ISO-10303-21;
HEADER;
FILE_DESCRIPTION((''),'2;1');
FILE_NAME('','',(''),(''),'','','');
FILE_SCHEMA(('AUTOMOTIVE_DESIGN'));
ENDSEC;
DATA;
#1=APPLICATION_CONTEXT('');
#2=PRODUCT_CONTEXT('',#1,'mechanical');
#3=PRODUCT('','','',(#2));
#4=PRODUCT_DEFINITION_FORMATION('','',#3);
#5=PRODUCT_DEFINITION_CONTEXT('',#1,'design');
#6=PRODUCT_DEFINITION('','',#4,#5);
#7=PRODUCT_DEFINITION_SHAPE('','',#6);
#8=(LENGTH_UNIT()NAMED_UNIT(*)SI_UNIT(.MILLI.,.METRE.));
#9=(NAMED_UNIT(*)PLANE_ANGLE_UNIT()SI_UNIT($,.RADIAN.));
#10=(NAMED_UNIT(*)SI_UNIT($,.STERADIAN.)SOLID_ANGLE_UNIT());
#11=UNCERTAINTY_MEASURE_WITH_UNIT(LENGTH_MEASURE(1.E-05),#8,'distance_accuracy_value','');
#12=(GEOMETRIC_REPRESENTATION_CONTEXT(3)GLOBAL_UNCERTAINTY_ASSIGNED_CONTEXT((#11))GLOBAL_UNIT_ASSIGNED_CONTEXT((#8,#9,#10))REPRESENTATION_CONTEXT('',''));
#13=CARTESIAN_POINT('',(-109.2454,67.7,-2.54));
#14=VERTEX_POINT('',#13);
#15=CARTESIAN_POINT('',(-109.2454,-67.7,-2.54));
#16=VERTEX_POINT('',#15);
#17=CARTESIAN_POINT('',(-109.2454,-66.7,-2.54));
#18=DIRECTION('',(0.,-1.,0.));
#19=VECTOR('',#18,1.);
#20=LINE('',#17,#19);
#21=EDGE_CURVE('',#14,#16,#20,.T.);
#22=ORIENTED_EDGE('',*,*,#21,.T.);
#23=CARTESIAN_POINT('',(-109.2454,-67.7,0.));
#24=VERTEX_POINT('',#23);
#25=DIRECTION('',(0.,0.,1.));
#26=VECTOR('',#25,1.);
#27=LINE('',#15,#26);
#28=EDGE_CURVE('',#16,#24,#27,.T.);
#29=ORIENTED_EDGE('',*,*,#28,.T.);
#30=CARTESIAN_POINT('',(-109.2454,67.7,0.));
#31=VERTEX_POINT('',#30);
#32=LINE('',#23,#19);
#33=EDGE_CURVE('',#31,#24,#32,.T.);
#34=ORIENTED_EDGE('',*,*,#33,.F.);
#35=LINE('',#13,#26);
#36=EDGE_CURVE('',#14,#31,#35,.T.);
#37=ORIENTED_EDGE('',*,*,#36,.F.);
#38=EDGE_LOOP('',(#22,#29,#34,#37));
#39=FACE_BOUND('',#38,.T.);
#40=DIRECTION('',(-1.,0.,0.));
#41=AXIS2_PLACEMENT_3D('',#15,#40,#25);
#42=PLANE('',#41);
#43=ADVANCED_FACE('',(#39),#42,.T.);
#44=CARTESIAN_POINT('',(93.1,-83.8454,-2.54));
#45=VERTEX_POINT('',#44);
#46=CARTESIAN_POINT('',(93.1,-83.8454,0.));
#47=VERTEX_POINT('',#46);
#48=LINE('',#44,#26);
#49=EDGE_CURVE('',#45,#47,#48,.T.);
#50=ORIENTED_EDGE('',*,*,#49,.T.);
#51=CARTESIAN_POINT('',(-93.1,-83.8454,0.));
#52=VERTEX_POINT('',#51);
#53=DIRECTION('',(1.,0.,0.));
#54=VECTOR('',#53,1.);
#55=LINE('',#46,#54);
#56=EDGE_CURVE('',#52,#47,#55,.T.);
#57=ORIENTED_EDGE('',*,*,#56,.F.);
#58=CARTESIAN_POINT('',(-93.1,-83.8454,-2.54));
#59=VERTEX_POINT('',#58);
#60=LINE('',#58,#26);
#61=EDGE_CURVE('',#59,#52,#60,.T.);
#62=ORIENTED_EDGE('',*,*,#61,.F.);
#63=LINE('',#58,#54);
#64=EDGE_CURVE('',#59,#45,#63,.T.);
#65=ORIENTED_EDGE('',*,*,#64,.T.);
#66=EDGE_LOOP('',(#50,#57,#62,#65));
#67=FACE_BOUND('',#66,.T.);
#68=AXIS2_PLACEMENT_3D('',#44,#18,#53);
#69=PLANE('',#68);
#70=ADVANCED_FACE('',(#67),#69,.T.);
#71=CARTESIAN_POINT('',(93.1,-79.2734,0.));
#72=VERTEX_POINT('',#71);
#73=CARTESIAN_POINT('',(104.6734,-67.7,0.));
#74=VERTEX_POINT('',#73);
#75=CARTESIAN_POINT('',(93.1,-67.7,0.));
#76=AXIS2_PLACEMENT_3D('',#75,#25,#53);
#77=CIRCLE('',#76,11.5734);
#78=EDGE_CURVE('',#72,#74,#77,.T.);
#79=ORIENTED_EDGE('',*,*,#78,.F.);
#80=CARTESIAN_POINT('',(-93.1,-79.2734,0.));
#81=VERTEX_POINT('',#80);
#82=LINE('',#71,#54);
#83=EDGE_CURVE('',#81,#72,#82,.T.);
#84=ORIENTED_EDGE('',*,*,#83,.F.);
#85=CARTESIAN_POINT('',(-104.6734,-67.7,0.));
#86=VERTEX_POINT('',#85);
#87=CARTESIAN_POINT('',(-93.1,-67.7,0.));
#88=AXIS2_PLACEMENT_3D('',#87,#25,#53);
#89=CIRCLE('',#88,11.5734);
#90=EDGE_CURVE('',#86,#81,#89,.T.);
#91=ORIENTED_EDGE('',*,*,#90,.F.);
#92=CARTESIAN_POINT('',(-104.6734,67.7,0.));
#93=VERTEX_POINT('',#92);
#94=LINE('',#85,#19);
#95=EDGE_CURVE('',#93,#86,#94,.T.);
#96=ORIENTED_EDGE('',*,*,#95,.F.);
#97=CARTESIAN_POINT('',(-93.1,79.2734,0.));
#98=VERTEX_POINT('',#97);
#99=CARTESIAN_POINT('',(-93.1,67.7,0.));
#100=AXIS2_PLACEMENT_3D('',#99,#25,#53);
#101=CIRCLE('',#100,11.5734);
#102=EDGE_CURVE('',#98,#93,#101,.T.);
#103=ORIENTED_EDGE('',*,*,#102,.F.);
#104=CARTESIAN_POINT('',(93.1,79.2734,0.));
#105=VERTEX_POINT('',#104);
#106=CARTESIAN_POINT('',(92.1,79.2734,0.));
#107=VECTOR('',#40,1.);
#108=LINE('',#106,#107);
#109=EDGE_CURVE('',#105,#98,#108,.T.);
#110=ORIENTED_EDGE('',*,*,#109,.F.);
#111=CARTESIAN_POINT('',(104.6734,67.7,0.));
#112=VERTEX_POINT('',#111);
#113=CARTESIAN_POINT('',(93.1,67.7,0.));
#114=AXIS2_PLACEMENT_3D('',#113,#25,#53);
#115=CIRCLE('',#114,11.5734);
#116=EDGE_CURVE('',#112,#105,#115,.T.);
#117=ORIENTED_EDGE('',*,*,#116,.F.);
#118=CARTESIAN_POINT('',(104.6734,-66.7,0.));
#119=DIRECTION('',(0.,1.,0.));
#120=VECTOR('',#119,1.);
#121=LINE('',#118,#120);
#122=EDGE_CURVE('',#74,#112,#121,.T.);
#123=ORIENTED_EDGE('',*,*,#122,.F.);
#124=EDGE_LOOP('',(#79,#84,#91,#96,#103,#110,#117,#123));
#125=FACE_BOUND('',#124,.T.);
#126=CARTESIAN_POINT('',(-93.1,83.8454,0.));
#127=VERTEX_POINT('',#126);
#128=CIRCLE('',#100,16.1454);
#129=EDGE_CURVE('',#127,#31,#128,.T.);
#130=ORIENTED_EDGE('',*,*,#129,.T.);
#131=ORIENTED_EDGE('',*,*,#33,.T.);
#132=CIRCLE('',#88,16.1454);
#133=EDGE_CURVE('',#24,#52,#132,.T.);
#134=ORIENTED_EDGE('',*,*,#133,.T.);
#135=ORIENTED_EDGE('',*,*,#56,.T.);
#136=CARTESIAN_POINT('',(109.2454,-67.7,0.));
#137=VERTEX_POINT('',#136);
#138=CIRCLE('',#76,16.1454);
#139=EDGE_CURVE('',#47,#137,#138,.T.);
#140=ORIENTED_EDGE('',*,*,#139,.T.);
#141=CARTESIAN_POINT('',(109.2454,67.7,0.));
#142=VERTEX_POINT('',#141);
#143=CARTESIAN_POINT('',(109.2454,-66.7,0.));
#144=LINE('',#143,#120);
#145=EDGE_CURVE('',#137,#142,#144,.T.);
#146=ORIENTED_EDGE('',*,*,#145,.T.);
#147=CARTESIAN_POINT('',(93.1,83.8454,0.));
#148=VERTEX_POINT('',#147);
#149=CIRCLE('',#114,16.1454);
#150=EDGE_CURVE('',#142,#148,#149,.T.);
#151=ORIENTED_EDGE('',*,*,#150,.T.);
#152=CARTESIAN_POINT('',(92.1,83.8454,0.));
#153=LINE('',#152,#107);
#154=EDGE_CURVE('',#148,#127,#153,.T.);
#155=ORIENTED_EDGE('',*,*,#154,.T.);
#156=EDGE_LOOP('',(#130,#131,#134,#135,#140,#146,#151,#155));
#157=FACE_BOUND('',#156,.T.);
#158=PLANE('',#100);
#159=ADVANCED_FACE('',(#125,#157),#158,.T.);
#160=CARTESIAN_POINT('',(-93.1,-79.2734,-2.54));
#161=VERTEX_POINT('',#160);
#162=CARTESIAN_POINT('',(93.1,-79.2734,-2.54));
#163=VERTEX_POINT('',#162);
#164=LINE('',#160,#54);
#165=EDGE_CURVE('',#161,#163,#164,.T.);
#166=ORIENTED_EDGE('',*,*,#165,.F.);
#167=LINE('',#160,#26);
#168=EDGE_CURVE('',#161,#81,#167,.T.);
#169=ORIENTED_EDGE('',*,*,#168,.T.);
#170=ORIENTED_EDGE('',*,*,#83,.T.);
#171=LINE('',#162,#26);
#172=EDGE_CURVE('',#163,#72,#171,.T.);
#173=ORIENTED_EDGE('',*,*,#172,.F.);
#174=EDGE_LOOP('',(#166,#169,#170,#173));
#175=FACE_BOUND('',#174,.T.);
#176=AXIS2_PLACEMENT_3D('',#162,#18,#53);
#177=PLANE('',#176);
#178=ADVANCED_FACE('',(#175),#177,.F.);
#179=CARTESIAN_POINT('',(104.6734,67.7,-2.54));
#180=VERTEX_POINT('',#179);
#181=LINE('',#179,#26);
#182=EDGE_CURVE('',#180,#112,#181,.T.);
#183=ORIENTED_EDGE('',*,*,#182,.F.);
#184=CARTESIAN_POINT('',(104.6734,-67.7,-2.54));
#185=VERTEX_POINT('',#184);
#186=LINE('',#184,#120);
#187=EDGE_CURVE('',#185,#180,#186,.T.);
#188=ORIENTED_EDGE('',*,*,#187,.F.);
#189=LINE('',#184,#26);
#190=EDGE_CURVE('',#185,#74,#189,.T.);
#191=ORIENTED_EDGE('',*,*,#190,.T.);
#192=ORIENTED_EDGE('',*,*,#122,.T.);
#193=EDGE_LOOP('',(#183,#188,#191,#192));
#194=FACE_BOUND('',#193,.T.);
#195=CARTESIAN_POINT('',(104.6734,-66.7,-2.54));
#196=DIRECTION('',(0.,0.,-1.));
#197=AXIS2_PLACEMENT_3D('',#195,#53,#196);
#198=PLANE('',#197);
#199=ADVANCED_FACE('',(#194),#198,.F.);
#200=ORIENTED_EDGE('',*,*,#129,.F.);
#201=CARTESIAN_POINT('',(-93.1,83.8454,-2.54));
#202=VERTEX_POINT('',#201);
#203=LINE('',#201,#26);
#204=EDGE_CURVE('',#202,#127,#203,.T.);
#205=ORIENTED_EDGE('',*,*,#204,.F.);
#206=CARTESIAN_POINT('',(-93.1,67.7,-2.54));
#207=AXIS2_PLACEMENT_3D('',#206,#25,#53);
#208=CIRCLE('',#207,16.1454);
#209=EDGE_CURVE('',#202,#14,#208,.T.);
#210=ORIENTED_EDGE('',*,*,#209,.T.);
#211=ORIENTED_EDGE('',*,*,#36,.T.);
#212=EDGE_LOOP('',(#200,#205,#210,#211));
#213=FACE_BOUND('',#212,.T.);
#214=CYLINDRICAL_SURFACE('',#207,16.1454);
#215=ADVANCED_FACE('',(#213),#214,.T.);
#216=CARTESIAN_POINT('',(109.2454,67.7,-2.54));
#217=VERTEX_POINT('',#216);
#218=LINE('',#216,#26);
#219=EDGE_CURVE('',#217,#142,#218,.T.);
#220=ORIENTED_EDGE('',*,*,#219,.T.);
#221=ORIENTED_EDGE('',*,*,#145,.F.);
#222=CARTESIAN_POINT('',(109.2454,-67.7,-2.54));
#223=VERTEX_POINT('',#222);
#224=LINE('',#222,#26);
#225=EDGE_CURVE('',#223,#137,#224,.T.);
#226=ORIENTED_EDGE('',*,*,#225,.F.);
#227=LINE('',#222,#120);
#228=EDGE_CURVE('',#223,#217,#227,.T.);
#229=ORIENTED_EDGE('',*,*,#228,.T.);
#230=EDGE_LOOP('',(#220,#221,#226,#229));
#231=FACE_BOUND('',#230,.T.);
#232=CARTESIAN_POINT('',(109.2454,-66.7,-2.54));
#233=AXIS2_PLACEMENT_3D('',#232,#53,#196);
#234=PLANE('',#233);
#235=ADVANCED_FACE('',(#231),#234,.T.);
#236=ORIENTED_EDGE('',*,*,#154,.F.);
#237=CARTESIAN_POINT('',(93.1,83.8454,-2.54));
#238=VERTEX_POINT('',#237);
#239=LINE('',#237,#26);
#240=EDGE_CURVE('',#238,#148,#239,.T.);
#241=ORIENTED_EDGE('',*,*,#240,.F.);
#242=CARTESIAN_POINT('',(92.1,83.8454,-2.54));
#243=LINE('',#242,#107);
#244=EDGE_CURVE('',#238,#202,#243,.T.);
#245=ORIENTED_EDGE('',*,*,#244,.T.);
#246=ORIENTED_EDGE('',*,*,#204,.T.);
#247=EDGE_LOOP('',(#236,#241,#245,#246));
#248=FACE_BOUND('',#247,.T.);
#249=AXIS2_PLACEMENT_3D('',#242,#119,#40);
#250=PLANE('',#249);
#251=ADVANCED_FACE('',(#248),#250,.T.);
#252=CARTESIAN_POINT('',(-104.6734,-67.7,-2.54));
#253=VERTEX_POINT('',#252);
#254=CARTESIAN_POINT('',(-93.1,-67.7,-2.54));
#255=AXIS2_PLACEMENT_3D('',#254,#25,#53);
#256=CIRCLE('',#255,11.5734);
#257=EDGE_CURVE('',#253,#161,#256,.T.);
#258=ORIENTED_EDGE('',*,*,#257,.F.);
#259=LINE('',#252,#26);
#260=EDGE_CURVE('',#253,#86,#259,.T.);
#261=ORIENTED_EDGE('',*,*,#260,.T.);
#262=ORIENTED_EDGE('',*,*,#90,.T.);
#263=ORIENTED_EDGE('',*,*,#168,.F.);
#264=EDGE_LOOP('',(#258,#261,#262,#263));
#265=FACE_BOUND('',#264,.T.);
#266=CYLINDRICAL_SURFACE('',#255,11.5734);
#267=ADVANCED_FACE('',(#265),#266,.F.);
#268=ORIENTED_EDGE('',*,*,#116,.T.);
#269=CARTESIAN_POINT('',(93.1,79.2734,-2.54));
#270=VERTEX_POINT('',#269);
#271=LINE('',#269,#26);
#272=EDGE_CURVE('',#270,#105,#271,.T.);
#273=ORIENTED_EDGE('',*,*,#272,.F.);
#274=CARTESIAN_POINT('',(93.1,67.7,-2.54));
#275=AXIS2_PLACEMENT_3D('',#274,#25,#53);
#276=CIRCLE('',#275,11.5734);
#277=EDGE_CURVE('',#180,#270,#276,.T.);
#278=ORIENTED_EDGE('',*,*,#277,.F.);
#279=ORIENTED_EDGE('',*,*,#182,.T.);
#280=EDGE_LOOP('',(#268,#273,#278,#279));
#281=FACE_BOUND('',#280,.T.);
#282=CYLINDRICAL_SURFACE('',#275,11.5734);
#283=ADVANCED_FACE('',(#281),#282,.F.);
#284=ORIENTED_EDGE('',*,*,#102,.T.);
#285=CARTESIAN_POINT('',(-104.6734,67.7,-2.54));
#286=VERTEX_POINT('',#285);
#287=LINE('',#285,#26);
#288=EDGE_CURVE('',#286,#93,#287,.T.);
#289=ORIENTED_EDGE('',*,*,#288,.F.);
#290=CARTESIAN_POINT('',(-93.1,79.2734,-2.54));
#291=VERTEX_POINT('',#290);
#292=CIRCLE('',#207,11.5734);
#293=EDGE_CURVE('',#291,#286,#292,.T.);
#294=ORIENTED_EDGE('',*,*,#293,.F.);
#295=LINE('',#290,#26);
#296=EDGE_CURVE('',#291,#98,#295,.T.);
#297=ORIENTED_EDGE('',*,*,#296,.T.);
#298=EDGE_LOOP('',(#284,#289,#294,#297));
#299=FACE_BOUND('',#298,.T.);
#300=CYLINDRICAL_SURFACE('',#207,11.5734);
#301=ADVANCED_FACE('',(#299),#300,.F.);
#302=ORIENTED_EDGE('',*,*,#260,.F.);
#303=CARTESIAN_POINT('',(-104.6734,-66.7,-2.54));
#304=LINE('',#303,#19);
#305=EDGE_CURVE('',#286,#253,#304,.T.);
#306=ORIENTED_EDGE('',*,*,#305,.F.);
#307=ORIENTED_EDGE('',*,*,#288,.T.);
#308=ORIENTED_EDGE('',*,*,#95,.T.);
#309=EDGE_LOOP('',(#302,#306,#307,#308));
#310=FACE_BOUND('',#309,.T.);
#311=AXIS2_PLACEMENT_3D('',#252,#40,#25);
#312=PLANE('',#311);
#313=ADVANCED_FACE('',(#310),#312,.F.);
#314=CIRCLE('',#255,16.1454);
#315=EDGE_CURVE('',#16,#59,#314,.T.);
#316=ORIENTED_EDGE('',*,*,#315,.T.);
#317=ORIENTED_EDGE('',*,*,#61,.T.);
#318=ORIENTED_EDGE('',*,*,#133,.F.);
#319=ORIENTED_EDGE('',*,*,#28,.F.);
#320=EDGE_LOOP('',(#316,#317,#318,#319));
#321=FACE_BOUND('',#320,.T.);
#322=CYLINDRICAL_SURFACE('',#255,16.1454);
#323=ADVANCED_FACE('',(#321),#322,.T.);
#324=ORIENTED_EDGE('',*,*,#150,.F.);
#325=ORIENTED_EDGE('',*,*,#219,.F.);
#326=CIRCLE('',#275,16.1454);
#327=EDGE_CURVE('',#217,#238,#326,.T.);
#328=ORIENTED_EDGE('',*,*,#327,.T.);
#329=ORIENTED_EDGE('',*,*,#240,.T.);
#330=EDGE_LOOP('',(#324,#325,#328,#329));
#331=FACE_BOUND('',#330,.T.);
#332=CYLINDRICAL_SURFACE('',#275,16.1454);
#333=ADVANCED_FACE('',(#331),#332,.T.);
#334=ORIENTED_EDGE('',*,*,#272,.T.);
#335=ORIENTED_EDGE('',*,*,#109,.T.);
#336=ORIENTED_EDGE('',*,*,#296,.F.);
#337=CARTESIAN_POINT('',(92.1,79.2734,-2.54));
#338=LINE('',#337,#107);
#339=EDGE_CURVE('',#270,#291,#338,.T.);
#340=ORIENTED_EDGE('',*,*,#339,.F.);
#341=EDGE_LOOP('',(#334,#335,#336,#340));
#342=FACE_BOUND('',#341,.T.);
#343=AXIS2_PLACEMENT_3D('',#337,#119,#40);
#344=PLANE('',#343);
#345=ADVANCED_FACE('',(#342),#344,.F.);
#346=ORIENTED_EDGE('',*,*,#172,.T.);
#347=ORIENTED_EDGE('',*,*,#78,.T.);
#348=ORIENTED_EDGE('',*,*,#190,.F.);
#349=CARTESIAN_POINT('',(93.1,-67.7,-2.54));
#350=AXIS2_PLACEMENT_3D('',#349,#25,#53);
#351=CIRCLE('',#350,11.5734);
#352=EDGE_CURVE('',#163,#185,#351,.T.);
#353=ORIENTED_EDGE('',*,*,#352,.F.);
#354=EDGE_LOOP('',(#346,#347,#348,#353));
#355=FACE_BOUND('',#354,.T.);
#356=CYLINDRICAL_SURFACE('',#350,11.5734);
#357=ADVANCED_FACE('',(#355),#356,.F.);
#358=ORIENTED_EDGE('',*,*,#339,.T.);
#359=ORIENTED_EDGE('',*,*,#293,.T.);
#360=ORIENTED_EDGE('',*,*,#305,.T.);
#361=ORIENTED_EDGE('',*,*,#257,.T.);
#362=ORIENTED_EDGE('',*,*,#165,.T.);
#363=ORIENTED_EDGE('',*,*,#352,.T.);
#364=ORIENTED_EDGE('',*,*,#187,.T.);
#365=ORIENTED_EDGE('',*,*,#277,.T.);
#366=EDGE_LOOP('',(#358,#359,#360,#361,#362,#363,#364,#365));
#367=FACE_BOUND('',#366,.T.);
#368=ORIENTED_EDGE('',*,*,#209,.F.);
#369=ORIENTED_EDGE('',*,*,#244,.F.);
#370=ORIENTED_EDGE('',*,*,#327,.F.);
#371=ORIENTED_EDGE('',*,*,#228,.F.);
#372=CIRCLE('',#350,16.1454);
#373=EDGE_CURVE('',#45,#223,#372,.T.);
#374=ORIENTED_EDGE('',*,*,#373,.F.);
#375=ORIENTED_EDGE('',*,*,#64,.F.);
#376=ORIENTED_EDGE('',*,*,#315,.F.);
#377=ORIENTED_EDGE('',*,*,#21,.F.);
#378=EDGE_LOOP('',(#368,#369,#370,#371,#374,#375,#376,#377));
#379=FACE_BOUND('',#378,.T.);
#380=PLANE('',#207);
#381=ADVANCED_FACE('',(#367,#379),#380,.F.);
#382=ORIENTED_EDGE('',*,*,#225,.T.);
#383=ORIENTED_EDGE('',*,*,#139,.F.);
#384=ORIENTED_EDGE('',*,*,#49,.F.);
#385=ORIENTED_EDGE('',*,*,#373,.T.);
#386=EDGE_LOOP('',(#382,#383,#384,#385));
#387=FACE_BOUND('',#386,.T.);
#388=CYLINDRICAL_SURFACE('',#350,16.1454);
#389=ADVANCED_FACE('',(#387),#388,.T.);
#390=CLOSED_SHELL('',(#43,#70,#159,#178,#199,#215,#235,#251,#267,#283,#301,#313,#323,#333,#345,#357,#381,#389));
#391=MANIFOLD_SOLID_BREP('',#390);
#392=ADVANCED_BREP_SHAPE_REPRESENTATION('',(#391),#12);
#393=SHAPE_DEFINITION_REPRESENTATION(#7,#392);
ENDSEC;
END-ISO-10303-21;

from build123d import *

# Parameters (mm, degrees)
BOSS_EXTRUDE1_DEPTH = 2.54


with BuildPart() as part:
    # Sketch1 → Boss-Extrude1 (new body)
    with BuildSketch(Plane.XY):
        with BuildLine():
            Line((-109.2454, -66.7), (-109.2454, 67.7))
            ThreePointArc((-109.2454, 67.7), (-104.516521825, 79.116521825), (-93.1, 83.8454))
            Line((-93.1, 83.8454), (92.1, 83.8454))
            Line((92.1, 83.8454), (93.1, 83.8454))
            ThreePointArc((93.1, 83.8454), (104.516521825, 79.116521825), (109.2454, 67.7))
            Line((109.2454, 67.7), (109.2454, -66.7))
            Line((109.2454, -66.7), (109.2454, -67.7))
            ThreePointArc((109.2454, -67.7), (104.516521825, -79.116521825), (93.1, -83.8454))
            Line((93.1, -83.8454), (-92.1, -83.8454))
            Line((-92.1, -83.8454), (-93.1, -83.8454))
            ThreePointArc((-93.1, -83.8454), (-104.516521825, -79.116521825), (-109.2454, -67.7))
            Line((-109.2454, -67.7), (-109.2454, -66.7))
        make_face()
        with BuildLine():
            Line((-104.6734, -66.7), (-104.6734, 67.7))
            ThreePointArc((-104.6734, 67.7), (-101.283629621, 75.883629621), (-93.1, 79.2734))
            Line((-93.1, 79.2734), (92.1, 79.2734))
            Line((92.1, 79.2734), (93.1, 79.2734))
            ThreePointArc((93.1, 79.2734), (101.283629621, 75.883629621), (104.6734, 67.7))
            Line((104.6734, 67.7), (104.6734, -66.7))
            Line((104.6734, -66.7), (104.6734, -67.7))
            ThreePointArc((104.6734, -67.7), (101.283629621, -75.883629621), (93.1, -79.2734))
            Line((93.1, -79.2734), (-92.1, -79.2734))
            Line((-92.1, -79.2734), (-93.1, -79.2734))
            ThreePointArc((-93.1, -79.2734), (-101.283629621, -75.883629621), (-104.6734, -67.7))
            Line((-104.6734, -67.7), (-104.6734, -66.7))
        make_face(mode=Mode.SUBTRACT)
    extrude(amount=-BOSS_EXTRUDE1_DEPTH)


solid = part.part
